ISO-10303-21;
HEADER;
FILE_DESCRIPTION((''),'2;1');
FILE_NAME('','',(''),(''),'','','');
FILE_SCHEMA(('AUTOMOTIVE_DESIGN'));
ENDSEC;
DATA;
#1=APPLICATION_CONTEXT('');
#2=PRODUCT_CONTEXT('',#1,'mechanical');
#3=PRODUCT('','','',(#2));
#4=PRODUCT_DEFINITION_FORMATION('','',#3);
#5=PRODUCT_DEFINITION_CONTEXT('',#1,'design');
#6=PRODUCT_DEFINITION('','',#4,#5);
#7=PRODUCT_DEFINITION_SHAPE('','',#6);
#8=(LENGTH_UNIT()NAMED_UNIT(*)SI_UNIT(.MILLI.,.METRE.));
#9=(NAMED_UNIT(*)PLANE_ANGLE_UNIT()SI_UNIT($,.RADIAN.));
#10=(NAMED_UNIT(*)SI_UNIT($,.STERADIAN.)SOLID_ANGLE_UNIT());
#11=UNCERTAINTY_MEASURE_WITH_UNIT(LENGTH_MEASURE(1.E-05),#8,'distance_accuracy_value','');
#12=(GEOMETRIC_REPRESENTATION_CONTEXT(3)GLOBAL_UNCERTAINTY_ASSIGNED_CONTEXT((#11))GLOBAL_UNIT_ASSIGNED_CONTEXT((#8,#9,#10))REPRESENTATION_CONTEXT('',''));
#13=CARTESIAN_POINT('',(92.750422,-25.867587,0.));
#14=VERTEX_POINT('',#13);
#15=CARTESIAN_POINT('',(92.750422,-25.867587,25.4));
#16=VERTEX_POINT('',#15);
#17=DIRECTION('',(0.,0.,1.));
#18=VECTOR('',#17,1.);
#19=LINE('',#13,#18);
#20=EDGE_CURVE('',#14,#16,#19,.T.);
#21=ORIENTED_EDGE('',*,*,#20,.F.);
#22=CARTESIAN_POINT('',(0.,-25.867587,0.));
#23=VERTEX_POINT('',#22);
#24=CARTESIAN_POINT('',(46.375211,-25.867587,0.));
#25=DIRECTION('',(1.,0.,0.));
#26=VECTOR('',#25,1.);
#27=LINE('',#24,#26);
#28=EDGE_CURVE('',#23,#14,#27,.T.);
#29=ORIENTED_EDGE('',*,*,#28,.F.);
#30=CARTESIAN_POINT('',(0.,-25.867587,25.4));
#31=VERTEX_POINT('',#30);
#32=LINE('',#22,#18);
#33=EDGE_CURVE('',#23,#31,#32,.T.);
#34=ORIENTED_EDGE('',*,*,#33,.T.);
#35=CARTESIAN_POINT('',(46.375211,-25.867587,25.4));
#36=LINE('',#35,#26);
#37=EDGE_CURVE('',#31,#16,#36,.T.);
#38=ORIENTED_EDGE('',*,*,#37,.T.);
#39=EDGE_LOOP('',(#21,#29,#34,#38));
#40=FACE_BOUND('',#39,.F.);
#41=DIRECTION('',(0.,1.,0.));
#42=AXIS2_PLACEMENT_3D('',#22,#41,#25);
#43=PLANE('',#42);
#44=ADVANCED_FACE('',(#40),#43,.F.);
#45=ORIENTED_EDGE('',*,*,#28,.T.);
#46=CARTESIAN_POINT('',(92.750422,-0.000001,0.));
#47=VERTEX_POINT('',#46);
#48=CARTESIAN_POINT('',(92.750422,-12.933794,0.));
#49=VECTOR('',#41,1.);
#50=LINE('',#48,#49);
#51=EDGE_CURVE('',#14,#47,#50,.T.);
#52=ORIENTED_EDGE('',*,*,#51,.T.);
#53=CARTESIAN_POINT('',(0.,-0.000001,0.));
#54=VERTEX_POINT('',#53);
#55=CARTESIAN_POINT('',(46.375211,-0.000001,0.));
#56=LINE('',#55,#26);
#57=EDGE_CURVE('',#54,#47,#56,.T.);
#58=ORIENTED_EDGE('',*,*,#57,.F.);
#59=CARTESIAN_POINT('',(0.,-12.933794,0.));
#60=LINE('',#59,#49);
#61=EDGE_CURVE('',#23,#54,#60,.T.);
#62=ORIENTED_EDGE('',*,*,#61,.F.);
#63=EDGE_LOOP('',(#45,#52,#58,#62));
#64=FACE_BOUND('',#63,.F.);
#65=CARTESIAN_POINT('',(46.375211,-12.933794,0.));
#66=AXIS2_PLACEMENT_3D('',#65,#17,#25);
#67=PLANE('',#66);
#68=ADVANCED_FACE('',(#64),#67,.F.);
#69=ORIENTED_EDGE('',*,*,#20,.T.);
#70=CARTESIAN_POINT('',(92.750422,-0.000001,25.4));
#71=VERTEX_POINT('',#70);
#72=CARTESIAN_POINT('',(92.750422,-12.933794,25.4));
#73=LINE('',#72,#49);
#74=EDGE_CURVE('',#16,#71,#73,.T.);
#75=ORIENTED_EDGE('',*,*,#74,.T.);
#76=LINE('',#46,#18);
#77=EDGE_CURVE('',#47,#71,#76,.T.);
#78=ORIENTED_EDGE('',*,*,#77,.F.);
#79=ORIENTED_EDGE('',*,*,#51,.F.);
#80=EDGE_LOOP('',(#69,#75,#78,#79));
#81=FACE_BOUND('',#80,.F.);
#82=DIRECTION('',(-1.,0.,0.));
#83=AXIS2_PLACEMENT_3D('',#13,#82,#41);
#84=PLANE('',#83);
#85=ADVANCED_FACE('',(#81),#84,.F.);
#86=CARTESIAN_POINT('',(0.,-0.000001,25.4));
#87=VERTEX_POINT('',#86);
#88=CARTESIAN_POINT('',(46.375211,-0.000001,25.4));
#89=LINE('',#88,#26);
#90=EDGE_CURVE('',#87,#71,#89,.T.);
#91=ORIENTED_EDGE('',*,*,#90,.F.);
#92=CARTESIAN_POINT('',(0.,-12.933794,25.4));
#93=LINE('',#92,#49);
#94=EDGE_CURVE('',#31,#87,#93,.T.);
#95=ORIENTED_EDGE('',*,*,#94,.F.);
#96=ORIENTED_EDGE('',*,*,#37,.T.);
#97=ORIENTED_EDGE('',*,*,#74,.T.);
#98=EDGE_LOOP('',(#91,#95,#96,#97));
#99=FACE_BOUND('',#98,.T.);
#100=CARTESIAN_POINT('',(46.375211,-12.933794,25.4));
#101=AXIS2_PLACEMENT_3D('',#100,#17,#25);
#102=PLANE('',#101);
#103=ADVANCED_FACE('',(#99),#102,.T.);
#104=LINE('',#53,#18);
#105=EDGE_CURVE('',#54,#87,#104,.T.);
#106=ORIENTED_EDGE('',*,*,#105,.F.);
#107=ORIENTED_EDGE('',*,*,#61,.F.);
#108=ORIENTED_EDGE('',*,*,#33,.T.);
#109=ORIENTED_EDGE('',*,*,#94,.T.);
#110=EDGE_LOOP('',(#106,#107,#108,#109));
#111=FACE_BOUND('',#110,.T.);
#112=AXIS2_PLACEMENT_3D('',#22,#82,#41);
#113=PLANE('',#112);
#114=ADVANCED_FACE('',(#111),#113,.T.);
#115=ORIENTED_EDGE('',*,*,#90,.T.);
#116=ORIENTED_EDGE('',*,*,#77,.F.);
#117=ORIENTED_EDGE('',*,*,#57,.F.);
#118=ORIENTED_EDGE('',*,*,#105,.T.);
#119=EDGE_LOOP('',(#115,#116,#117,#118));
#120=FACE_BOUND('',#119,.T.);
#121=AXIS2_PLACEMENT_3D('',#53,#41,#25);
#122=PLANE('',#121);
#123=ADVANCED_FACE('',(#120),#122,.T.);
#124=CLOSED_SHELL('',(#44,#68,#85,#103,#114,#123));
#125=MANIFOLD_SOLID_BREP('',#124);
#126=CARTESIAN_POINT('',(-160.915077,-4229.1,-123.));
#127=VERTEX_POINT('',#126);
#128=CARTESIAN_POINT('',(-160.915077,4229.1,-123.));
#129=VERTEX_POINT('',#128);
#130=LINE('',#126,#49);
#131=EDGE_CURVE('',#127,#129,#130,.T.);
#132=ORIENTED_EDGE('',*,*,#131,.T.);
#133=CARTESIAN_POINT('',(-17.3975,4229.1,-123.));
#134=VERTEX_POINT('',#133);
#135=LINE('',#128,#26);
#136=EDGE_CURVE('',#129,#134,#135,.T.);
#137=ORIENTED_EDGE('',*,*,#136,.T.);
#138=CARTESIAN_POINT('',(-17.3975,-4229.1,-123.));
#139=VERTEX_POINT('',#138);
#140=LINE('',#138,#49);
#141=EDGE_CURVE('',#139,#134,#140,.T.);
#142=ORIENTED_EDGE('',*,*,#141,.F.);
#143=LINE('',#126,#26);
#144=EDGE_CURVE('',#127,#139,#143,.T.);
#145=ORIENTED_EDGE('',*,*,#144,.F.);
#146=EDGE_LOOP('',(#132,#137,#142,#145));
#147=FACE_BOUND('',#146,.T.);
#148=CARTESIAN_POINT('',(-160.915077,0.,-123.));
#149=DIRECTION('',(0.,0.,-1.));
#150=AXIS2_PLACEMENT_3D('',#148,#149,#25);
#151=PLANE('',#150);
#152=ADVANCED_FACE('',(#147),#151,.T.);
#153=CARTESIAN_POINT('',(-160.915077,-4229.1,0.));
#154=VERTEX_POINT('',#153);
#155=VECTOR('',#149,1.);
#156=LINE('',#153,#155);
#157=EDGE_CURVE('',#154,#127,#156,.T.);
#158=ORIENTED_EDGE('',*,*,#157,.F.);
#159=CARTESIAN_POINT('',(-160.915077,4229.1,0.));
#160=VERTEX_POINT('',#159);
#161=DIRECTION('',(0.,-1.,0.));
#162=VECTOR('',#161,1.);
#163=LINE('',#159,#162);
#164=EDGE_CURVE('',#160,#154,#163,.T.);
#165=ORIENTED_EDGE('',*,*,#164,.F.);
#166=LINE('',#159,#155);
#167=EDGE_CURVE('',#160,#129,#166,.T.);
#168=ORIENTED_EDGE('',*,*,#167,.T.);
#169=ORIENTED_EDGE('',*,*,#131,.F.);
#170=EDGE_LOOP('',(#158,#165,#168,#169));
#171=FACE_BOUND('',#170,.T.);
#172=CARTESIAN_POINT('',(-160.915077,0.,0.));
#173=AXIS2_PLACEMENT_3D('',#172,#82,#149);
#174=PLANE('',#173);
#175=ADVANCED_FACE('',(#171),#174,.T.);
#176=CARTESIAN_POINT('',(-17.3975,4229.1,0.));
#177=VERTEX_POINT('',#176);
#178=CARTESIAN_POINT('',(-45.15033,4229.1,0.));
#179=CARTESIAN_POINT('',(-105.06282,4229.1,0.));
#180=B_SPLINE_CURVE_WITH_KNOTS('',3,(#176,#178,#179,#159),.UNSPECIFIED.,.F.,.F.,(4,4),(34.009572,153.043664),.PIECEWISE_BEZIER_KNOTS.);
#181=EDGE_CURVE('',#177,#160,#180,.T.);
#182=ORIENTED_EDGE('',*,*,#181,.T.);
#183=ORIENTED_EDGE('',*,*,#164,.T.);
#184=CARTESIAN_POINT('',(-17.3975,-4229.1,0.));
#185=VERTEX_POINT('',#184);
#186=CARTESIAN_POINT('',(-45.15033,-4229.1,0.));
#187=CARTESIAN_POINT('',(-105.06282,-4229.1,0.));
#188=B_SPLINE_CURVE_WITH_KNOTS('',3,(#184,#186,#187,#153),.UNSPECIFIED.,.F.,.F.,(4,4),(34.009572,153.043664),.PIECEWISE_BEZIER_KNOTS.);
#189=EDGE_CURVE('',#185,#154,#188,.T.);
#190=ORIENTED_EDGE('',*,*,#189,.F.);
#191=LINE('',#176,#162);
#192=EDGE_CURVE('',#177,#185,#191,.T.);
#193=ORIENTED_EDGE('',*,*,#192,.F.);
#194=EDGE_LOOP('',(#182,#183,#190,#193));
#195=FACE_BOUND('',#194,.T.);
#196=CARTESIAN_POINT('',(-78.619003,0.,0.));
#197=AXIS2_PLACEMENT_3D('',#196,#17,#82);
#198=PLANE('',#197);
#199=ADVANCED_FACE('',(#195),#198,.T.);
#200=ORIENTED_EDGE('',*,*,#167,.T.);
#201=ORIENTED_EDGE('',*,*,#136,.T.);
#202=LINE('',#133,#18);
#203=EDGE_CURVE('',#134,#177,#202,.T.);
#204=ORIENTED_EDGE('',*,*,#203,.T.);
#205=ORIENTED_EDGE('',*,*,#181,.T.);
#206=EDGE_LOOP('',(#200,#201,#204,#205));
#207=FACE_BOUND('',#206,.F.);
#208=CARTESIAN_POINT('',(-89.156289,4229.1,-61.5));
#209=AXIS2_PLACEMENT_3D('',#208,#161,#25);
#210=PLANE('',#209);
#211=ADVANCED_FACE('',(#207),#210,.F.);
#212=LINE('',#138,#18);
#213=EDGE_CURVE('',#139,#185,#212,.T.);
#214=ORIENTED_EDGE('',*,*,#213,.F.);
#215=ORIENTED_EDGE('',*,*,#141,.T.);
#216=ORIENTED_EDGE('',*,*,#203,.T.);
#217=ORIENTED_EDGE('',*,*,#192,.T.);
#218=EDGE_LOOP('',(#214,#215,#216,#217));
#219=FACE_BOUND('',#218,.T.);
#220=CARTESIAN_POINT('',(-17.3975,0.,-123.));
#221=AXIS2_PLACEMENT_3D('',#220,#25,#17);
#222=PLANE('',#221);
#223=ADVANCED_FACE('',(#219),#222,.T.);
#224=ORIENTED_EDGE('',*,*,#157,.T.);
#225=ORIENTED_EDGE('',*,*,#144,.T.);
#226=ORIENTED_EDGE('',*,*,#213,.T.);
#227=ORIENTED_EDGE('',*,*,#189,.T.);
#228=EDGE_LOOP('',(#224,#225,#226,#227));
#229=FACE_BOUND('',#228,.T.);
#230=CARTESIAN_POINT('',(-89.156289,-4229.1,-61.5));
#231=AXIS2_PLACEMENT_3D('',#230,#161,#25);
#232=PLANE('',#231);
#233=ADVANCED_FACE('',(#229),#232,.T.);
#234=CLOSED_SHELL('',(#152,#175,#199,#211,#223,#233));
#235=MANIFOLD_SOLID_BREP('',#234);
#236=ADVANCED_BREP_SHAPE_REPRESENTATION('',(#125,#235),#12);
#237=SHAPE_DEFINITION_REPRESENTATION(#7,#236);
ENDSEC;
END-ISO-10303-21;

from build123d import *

# Parameters (mm, degrees)
F1_DEPTH = 4229.1
F2_W     = 92.750423
F2_H     = 25.867587
F3_DEPTH = 25.4


with BuildPart() as f1:
    # F0 (on Front) → F1 (new body, symmetric)
    with BuildSketch(Plane.XZ):
        with BuildLine():
            Line((-17.3975, -123), (-17.3975, 0))
            add(Edge.make_bspline(
                [(-17.3975, 0), (-45.15033, 0), (-105.06282, 0), (-160.915077, 0)],
                knots=[34.009572, 34.009572, 34.009572, 34.009572, 153.043664, 153.043664, 153.043664, 153.043664], degree=3))
            Line((-160.915077, 0), (-160.915077, -123))
            Line((-160.915077, -123), (-17.3975, -123))
        make_face()
    extrude(amount=F1_DEPTH, both=True)


with BuildPart() as f3:
    # F2 (on Top) → F3 (new body)
    with BuildSketch(Plane.XY):
        with Locations((46.375211, -12.933794)):
            Rectangle(F2_W, F2_H)
    extrude(amount=F3_DEPTH)


solid = Compound([f1.part, f3.part])
